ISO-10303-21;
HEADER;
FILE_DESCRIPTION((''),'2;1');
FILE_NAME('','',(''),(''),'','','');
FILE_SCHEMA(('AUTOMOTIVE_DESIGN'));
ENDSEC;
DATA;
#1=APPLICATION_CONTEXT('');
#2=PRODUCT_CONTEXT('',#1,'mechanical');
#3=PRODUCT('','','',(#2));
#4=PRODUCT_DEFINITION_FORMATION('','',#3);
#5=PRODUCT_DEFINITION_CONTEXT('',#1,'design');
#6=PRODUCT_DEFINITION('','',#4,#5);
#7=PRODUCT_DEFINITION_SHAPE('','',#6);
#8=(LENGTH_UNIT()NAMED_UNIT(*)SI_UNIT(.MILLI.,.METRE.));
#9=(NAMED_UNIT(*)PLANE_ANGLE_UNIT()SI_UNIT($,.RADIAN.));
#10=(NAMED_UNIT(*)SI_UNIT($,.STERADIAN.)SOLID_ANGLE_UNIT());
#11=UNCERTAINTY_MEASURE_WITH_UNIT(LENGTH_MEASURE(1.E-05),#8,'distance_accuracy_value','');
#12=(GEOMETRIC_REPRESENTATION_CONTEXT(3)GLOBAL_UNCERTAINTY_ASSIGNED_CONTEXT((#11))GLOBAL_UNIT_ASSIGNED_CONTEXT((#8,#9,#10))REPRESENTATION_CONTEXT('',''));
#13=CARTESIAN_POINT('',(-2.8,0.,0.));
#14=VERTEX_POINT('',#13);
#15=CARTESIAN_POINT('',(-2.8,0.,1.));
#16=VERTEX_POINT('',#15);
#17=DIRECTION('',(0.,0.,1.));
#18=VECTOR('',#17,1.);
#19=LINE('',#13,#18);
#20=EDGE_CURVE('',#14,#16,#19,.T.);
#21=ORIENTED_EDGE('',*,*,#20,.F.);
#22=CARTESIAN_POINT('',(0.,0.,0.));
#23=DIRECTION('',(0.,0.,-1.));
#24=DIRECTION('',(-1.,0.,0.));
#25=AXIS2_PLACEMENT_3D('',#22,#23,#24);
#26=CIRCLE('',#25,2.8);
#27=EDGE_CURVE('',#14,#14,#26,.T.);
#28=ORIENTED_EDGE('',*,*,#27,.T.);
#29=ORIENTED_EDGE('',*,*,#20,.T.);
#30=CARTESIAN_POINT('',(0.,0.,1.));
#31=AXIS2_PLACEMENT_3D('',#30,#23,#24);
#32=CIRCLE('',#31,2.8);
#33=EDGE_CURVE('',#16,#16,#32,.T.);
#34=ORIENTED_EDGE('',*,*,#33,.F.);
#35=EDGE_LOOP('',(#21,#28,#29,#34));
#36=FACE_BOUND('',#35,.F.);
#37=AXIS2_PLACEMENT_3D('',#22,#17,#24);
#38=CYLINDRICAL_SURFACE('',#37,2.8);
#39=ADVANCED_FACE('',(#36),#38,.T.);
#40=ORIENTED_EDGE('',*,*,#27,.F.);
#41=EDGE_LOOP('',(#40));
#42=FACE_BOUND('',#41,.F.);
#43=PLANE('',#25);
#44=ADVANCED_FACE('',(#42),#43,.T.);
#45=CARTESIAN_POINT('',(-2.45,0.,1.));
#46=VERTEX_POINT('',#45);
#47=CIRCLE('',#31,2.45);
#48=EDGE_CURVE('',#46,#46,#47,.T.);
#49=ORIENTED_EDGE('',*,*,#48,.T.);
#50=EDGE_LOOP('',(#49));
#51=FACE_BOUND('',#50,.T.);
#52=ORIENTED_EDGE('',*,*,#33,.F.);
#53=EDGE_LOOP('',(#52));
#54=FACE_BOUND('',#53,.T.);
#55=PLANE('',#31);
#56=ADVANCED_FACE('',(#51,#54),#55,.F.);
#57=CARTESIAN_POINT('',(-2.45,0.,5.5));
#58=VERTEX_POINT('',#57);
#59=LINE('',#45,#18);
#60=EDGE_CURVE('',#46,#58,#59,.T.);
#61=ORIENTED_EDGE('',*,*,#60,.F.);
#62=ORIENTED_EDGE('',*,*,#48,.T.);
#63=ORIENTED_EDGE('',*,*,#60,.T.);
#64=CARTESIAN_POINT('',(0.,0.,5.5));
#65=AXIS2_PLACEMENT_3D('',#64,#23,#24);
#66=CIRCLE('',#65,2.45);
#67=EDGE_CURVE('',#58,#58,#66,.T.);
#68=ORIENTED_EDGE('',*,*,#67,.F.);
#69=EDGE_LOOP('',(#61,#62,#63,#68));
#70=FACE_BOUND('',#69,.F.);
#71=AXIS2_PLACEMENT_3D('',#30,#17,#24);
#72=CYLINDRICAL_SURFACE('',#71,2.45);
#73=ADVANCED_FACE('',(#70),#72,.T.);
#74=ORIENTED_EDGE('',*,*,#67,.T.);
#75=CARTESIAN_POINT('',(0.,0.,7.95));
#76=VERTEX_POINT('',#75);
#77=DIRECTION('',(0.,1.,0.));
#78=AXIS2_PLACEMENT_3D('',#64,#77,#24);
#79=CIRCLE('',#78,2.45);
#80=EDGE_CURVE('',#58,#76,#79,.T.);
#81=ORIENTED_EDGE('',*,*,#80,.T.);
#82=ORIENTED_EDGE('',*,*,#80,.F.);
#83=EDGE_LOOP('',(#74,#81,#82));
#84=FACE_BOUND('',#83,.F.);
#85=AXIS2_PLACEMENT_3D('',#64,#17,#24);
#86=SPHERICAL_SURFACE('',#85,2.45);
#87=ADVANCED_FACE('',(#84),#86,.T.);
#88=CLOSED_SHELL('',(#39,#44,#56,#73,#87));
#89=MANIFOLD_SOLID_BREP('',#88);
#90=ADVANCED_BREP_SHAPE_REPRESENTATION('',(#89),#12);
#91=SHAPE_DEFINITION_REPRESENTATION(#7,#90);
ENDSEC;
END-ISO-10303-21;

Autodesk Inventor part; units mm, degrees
ref_plane "YZ Plane" through (0, 0, 0) normal (1, 0, 0) x (0, 1, 0)
ref_plane "XZ Plane" through (0, 0, 0) normal (0, 1, 0) x (-1, 0, 0)
ref_plane "XY Plane" through (0, 0, 0) normal (0, 0, 1) x (1, 0, 0)
sketch "Sketch1" plane through (0, 0, 0) normal (0, 1, 0) x (-1, 0, 0)
  line L0 (0, 0) -> (2.8, 0)
  arc A0 (2.45, 5.5) -> (0, 7.95) centre (0, 5.5) ccw
  line L1 (0, 7.95) -> (0, 0)
  line L2 (2.8, 0) -> (2.8, 1)
  line L3 (0, 1) -> (2.45, 1)
  line L4 (2.45, 1) -> (2.45, 5.5)
  line L5 (2.45, 1) -> (2.8, 1)
  dimension "d0" = 2.8
  dimension "d2" = 1
  dimension "d3" = 2.45
  dimension "d4" = 5.5
revolve "Revolution1" add sketch "Sketch1" angle 360 about axis through (0, 0, 7.95) along (0, 0, -1)
properties part number "5mmLED" material "PBT Plastic"
